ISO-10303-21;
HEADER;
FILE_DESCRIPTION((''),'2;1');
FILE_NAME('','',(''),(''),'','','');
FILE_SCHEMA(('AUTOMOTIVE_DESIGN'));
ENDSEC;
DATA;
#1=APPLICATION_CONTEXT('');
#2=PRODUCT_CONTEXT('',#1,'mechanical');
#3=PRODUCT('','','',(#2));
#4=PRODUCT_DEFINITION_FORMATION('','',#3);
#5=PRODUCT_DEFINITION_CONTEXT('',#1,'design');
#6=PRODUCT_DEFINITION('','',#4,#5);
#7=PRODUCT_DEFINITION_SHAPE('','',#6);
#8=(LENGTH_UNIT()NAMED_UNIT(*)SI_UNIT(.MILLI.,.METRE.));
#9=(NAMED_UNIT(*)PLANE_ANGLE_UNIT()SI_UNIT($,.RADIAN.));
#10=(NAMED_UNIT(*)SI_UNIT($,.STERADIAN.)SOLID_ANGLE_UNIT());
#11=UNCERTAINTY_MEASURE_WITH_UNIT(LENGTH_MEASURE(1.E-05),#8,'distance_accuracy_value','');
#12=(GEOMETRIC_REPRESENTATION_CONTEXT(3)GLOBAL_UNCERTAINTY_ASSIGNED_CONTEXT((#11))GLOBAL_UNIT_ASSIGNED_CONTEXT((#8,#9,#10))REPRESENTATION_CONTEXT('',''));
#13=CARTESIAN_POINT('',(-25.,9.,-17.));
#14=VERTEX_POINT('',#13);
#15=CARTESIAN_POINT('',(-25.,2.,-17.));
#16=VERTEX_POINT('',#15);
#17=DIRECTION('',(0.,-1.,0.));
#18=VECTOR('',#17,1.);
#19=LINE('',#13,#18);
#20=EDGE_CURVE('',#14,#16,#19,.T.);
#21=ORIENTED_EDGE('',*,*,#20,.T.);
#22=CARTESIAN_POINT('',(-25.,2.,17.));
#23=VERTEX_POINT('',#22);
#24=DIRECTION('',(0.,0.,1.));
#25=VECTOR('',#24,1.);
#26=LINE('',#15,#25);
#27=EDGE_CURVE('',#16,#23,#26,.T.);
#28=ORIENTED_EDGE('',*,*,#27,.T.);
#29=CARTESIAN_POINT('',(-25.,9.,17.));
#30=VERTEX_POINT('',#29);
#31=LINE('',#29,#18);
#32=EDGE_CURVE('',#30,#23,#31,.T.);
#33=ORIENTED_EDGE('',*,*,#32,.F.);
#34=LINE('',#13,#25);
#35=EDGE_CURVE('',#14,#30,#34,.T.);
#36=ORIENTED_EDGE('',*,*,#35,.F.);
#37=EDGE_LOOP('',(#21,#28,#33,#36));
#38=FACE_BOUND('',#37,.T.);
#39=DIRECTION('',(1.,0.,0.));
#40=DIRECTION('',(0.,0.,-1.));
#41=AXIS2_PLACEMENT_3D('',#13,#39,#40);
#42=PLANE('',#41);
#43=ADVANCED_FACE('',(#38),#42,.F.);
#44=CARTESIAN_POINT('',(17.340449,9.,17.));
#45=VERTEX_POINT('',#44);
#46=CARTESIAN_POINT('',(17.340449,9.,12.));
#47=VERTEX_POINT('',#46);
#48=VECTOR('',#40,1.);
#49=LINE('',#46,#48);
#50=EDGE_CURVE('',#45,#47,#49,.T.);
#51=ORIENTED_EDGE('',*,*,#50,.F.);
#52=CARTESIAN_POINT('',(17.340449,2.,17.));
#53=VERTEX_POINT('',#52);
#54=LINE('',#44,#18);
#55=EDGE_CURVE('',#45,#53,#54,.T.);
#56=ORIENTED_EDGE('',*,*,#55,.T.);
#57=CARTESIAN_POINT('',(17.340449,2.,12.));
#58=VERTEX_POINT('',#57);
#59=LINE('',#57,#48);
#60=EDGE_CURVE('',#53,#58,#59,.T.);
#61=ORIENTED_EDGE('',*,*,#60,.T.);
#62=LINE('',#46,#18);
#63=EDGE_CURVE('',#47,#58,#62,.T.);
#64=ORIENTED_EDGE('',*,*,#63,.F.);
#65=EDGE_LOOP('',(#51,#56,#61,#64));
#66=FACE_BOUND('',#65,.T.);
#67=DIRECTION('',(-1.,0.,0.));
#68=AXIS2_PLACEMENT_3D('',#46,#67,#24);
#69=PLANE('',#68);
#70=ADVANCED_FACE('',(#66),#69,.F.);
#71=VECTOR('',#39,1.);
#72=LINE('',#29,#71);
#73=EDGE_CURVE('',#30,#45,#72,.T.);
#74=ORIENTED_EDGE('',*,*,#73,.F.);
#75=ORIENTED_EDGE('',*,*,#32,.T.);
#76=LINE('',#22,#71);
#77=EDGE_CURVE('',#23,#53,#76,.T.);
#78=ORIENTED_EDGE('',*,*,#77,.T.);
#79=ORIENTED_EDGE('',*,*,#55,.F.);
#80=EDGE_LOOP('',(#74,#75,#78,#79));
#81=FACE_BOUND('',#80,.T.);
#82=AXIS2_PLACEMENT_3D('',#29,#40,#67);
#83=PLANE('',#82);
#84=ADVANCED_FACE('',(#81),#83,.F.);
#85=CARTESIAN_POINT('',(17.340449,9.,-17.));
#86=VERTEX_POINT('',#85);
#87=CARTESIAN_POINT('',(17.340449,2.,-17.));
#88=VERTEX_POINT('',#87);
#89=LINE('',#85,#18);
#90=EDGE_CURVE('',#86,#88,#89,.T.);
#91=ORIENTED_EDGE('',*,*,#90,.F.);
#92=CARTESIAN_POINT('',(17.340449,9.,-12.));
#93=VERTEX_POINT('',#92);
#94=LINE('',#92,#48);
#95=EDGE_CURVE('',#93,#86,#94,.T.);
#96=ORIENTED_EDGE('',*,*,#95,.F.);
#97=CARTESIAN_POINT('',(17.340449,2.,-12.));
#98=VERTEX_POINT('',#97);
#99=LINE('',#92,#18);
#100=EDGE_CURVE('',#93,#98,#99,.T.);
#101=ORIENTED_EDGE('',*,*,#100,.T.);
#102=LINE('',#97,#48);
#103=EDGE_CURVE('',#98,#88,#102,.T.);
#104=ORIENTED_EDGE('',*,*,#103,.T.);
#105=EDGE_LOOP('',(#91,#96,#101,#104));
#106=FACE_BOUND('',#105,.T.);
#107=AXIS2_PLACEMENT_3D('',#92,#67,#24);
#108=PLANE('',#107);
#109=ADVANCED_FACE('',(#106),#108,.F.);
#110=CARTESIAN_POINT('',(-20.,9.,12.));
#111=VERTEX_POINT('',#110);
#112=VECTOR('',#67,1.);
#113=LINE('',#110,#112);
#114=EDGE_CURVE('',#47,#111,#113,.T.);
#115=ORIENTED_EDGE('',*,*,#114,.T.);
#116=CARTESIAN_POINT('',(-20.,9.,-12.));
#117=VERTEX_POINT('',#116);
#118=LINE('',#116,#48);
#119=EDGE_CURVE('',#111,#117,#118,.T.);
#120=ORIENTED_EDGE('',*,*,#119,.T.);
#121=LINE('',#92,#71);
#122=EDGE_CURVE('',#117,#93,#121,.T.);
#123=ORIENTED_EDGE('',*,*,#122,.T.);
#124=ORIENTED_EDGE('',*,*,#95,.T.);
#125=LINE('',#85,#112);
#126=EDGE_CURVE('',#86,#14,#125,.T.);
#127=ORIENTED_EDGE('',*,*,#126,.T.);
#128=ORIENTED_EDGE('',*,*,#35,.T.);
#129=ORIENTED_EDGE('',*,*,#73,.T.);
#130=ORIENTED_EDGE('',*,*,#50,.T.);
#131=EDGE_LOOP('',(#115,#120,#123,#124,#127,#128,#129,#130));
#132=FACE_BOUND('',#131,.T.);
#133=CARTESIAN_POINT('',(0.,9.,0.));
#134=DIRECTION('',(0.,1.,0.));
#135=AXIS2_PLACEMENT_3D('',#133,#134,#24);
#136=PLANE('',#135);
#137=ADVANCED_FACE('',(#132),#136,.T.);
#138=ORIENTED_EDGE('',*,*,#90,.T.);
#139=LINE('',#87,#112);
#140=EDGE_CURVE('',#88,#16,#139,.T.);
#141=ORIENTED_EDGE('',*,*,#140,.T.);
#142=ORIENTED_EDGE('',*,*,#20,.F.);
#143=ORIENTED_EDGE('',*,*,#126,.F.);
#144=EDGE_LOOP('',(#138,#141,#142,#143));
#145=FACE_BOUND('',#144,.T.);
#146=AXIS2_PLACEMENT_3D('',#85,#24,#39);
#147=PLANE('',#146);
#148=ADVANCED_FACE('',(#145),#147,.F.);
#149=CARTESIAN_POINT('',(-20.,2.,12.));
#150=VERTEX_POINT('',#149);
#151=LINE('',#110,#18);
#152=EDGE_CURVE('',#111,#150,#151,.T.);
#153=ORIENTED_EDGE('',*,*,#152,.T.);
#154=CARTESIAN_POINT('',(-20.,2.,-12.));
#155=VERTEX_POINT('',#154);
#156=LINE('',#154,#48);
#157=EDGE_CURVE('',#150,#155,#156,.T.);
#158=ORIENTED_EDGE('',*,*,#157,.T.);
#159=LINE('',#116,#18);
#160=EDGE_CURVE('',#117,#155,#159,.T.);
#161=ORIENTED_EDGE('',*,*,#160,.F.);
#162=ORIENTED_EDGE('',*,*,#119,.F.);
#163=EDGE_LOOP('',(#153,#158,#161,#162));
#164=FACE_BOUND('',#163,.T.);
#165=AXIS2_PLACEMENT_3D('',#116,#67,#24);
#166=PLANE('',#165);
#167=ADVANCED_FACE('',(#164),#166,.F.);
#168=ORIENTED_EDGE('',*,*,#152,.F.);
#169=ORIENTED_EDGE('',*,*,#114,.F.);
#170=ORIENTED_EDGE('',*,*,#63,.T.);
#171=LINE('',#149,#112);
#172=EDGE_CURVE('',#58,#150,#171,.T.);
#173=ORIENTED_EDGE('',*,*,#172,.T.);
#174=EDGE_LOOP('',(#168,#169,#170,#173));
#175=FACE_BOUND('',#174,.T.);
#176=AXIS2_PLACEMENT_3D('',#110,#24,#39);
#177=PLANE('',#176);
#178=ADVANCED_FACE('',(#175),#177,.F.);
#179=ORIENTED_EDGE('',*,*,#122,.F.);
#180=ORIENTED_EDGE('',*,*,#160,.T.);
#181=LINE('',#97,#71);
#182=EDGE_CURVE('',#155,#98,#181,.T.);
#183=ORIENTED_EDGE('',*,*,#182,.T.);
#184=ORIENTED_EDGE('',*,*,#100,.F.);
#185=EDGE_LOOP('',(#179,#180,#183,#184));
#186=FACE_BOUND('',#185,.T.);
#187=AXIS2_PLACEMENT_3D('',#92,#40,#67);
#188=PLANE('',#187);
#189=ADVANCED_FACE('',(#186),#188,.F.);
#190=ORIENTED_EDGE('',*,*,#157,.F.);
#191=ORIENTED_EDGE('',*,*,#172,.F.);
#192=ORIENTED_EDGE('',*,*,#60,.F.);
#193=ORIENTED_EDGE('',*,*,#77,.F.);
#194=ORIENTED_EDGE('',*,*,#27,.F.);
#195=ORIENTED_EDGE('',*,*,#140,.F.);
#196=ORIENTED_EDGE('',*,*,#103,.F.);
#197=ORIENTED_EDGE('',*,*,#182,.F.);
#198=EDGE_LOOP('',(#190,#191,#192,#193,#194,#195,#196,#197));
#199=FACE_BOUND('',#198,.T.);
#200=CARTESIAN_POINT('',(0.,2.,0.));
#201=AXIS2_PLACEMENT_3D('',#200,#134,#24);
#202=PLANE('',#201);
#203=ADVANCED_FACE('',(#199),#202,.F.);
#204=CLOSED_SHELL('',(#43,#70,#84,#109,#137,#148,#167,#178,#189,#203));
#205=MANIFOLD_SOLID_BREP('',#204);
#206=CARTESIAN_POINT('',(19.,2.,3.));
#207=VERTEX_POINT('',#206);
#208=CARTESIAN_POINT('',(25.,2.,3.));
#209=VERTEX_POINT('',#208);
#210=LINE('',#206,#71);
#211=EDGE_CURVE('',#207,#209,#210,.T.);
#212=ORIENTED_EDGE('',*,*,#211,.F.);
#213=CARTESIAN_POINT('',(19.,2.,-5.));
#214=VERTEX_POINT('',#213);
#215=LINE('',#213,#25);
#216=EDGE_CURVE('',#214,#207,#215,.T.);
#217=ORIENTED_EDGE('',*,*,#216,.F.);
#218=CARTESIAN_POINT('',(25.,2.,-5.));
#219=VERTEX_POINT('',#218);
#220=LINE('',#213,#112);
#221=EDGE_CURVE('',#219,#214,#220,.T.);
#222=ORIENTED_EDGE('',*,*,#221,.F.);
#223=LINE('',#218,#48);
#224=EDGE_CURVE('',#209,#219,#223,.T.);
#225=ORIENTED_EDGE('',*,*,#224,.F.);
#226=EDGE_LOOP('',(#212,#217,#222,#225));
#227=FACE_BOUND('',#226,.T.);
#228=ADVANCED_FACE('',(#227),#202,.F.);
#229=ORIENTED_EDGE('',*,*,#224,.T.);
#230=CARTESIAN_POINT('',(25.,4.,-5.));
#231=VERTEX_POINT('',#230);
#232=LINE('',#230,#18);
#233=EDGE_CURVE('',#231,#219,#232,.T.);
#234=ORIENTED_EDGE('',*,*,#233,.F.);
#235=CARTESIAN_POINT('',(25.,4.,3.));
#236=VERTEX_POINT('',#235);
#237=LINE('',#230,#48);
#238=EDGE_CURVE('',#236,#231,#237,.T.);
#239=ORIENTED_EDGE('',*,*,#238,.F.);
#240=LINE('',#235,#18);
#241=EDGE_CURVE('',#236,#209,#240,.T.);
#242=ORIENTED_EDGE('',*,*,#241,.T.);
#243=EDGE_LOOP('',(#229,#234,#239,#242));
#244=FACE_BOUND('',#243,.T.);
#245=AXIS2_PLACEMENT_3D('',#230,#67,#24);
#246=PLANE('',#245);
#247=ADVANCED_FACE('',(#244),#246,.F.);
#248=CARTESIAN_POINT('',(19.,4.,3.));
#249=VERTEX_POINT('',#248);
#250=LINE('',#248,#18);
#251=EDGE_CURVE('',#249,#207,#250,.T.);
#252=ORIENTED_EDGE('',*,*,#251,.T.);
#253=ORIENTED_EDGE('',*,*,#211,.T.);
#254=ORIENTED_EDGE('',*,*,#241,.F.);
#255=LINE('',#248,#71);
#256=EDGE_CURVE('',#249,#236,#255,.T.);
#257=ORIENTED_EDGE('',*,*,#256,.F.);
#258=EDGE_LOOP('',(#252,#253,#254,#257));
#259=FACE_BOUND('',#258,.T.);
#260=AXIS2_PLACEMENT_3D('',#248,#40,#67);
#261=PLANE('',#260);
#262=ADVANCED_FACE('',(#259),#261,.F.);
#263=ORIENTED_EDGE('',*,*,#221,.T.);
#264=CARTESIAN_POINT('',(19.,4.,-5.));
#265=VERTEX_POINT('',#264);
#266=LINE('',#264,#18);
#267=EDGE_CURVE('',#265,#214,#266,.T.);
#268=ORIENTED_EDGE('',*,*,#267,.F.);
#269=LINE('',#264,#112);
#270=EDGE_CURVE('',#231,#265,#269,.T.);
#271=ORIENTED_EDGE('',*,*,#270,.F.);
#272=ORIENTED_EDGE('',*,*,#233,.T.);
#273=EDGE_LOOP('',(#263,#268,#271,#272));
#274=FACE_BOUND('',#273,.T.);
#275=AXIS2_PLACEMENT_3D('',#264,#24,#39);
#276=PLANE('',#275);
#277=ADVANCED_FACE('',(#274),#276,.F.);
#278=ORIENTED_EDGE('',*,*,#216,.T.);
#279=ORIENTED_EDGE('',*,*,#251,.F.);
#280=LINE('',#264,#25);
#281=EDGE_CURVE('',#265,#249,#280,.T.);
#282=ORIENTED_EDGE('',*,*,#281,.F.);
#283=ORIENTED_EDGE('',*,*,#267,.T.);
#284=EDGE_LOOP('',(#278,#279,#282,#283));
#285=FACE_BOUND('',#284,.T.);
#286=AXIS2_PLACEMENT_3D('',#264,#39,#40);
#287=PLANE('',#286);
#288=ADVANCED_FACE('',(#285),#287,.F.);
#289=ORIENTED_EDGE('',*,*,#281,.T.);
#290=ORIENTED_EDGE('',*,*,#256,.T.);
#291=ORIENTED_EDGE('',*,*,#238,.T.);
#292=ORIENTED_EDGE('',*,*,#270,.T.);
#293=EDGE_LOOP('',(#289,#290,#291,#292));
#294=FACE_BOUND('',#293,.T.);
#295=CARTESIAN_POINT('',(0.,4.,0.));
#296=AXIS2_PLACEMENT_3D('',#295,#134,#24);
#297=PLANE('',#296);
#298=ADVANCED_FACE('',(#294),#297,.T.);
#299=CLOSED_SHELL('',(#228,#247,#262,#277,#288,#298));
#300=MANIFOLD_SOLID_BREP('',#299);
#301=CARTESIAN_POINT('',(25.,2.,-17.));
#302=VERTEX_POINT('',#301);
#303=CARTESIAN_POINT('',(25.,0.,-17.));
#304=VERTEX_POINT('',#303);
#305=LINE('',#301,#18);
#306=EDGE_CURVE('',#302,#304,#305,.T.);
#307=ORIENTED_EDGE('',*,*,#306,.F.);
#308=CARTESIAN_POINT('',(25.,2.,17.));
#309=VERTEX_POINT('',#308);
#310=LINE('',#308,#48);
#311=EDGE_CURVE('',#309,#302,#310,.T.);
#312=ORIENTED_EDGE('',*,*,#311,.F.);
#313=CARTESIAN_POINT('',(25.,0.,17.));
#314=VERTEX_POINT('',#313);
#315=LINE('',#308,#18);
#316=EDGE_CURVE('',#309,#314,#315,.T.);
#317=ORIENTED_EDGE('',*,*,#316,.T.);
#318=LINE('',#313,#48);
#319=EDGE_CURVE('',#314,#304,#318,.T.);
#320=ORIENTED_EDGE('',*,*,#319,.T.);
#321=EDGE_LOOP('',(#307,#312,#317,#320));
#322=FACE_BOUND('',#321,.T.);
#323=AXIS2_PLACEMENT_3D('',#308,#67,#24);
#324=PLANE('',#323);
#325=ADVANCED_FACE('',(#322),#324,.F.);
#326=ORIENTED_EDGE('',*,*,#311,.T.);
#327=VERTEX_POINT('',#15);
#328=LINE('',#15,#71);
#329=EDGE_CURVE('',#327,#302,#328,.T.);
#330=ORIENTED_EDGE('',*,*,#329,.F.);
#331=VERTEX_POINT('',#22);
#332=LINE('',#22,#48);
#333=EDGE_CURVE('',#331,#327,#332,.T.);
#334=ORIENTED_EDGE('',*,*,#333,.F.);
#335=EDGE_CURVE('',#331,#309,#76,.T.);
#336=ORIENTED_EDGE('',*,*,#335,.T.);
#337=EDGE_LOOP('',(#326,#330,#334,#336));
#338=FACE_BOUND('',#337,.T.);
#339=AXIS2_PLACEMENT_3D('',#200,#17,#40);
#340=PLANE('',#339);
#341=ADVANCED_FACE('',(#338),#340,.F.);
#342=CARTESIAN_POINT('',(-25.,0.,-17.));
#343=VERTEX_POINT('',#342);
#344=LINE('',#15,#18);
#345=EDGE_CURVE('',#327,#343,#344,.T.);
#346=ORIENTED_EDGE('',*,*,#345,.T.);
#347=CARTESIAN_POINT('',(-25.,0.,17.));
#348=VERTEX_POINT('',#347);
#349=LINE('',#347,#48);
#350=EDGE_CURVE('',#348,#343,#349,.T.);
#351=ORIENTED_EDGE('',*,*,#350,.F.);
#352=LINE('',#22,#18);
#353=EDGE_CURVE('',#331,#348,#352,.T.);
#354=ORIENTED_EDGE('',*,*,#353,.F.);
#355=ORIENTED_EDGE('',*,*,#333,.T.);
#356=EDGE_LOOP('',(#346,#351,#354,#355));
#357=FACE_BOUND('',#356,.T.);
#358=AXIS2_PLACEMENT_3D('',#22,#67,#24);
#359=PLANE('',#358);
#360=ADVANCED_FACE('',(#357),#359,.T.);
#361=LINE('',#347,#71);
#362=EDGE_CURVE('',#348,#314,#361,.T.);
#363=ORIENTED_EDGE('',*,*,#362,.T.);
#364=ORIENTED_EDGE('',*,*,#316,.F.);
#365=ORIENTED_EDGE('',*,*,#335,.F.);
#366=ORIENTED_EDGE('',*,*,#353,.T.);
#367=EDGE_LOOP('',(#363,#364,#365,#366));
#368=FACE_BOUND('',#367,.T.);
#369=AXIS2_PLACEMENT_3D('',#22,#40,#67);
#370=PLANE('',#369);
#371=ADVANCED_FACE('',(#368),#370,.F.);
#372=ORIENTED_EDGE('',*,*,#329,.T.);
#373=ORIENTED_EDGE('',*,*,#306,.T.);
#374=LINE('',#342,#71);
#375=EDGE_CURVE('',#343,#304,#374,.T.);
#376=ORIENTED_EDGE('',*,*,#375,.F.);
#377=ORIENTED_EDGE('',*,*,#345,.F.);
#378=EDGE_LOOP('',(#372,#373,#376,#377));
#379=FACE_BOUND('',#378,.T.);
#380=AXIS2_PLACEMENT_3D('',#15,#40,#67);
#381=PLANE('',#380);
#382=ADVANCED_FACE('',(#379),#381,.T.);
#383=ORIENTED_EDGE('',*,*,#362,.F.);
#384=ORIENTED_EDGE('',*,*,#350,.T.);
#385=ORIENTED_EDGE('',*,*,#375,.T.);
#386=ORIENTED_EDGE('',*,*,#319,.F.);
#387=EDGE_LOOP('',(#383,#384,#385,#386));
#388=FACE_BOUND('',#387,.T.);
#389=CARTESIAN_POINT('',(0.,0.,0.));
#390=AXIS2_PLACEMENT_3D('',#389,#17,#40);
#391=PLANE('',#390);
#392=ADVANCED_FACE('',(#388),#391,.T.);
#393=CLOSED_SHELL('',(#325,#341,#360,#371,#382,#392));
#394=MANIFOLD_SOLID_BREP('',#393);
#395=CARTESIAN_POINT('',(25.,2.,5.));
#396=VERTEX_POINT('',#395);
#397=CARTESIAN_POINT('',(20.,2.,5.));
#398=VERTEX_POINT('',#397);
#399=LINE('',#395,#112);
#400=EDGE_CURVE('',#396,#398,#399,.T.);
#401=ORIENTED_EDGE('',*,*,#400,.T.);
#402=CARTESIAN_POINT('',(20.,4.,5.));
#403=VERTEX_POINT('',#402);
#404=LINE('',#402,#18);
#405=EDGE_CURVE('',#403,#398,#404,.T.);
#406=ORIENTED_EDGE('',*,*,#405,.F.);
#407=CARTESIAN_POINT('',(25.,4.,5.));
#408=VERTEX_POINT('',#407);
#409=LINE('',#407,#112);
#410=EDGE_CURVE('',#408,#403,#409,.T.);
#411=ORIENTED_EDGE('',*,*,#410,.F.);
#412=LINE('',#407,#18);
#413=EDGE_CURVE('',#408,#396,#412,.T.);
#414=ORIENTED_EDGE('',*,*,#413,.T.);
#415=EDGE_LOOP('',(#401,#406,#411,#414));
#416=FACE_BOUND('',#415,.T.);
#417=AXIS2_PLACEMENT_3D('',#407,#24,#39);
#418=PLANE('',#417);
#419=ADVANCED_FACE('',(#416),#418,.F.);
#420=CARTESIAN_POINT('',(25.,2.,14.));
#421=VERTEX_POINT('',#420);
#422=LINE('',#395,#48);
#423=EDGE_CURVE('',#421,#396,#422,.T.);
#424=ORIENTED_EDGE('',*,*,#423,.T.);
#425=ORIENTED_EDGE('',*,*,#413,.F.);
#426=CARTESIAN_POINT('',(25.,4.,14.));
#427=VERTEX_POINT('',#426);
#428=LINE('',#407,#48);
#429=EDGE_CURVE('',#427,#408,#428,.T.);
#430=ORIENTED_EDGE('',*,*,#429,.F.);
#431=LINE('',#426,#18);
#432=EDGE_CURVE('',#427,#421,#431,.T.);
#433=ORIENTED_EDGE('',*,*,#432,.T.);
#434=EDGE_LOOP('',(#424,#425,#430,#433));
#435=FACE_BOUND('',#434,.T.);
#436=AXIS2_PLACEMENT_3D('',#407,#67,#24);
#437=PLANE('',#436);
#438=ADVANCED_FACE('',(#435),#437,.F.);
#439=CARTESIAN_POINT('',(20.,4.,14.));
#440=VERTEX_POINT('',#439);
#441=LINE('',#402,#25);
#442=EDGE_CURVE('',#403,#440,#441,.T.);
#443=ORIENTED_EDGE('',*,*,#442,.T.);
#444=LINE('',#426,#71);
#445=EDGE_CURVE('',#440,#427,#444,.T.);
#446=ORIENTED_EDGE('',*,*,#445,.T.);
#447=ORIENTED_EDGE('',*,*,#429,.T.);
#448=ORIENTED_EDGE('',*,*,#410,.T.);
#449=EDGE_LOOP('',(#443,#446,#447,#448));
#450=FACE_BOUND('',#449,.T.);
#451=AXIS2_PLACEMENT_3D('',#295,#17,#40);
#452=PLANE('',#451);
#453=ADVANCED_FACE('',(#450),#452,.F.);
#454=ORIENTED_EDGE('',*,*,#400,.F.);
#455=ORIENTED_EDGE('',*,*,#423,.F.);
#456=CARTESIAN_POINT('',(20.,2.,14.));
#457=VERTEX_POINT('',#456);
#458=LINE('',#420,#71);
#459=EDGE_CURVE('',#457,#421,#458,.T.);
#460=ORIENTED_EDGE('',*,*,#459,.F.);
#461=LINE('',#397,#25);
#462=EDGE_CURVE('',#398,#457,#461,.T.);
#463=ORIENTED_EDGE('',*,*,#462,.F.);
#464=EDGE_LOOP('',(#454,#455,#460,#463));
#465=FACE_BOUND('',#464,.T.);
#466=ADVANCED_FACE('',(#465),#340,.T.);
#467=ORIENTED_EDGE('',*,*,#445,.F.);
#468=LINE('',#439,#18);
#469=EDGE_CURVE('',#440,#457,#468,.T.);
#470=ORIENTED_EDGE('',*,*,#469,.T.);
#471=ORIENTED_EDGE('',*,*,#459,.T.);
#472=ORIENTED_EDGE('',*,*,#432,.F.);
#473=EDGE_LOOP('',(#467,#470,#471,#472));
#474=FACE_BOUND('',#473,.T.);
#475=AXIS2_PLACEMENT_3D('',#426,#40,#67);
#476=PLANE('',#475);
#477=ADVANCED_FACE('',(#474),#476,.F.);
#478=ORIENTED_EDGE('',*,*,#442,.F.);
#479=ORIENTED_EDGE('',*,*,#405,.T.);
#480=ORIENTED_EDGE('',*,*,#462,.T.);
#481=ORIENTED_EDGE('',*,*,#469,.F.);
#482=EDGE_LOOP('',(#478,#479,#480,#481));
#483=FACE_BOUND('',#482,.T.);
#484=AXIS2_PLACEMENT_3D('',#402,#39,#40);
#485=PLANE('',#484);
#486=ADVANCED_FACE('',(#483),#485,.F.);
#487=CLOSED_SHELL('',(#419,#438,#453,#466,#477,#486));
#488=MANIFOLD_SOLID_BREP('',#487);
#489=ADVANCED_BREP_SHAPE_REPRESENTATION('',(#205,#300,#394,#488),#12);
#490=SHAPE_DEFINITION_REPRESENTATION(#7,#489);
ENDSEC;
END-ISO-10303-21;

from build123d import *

# Parameters (mm, degrees)
SKETCH_1_W        = 50
SKETCH_1_H        = 34
EXTRUDE_1_DEPTH   = 2
SKETCH_2_W        = 6
SKETCH_2_H        = 8
EXTRUDE_2_DEPTH   = 2
SKETCH_2_W_2      = 5
SKETCH_2_H_2      = 9
EXTRUDE_2_2_DEPTH = 2
EXTRUDE_3_DEPTH   = 7


with BuildPart() as part:
    # 草图1 → 凸台-拉伸1 (new body)
    with BuildSketch(Plane(origin=(0, 0, 0), x_dir=(1, 0, 0), z_dir=(0, 1, 0))):
        Rectangle(SKETCH_1_W, SKETCH_1_H)
    extrude(amount=EXTRUDE_1_DEPTH)


with BuildPart() as body_2:
    # 草图2 → 凸台-拉伸2 (new body)
    with BuildSketch(Plane(origin=(0, 2, 0), x_dir=(1, 0, 0), z_dir=(0, 1, 0))):
        with Locations((22, 1)):
            Rectangle(SKETCH_2_W, SKETCH_2_H)
    extrude(amount=EXTRUDE_2_DEPTH)


with BuildPart() as body_3:
    # 草图2 → Extrude 2 2 (new body)
    with BuildSketch(Plane(origin=(0, 2, 0), x_dir=(1, 0, 0), z_dir=(0, 1, 0))):
        with Locations((22.5, -9.5)):
            Rectangle(SKETCH_2_W_2, SKETCH_2_H_2)
    extrude(amount=EXTRUDE_2_2_DEPTH)


with BuildPart() as body_4:
    # 草图3 → 凸台-拉伸3 (new body)
    with BuildSketch(Plane(origin=(0, 2, 0), x_dir=(1, 0, 0), z_dir=(0, 1, 0))):
        Polygon((17.340449086, 12), (-20, 12), (-20, -12), (17.340449086, -12), (17.340449086, -17), (-25, -17), (-25, 17), (17.340449086, 17), align=None)
    extrude(amount=EXTRUDE_3_DEPTH)


solid = Compound([part.part, body_2.part, body_3.part, body_4.part])
